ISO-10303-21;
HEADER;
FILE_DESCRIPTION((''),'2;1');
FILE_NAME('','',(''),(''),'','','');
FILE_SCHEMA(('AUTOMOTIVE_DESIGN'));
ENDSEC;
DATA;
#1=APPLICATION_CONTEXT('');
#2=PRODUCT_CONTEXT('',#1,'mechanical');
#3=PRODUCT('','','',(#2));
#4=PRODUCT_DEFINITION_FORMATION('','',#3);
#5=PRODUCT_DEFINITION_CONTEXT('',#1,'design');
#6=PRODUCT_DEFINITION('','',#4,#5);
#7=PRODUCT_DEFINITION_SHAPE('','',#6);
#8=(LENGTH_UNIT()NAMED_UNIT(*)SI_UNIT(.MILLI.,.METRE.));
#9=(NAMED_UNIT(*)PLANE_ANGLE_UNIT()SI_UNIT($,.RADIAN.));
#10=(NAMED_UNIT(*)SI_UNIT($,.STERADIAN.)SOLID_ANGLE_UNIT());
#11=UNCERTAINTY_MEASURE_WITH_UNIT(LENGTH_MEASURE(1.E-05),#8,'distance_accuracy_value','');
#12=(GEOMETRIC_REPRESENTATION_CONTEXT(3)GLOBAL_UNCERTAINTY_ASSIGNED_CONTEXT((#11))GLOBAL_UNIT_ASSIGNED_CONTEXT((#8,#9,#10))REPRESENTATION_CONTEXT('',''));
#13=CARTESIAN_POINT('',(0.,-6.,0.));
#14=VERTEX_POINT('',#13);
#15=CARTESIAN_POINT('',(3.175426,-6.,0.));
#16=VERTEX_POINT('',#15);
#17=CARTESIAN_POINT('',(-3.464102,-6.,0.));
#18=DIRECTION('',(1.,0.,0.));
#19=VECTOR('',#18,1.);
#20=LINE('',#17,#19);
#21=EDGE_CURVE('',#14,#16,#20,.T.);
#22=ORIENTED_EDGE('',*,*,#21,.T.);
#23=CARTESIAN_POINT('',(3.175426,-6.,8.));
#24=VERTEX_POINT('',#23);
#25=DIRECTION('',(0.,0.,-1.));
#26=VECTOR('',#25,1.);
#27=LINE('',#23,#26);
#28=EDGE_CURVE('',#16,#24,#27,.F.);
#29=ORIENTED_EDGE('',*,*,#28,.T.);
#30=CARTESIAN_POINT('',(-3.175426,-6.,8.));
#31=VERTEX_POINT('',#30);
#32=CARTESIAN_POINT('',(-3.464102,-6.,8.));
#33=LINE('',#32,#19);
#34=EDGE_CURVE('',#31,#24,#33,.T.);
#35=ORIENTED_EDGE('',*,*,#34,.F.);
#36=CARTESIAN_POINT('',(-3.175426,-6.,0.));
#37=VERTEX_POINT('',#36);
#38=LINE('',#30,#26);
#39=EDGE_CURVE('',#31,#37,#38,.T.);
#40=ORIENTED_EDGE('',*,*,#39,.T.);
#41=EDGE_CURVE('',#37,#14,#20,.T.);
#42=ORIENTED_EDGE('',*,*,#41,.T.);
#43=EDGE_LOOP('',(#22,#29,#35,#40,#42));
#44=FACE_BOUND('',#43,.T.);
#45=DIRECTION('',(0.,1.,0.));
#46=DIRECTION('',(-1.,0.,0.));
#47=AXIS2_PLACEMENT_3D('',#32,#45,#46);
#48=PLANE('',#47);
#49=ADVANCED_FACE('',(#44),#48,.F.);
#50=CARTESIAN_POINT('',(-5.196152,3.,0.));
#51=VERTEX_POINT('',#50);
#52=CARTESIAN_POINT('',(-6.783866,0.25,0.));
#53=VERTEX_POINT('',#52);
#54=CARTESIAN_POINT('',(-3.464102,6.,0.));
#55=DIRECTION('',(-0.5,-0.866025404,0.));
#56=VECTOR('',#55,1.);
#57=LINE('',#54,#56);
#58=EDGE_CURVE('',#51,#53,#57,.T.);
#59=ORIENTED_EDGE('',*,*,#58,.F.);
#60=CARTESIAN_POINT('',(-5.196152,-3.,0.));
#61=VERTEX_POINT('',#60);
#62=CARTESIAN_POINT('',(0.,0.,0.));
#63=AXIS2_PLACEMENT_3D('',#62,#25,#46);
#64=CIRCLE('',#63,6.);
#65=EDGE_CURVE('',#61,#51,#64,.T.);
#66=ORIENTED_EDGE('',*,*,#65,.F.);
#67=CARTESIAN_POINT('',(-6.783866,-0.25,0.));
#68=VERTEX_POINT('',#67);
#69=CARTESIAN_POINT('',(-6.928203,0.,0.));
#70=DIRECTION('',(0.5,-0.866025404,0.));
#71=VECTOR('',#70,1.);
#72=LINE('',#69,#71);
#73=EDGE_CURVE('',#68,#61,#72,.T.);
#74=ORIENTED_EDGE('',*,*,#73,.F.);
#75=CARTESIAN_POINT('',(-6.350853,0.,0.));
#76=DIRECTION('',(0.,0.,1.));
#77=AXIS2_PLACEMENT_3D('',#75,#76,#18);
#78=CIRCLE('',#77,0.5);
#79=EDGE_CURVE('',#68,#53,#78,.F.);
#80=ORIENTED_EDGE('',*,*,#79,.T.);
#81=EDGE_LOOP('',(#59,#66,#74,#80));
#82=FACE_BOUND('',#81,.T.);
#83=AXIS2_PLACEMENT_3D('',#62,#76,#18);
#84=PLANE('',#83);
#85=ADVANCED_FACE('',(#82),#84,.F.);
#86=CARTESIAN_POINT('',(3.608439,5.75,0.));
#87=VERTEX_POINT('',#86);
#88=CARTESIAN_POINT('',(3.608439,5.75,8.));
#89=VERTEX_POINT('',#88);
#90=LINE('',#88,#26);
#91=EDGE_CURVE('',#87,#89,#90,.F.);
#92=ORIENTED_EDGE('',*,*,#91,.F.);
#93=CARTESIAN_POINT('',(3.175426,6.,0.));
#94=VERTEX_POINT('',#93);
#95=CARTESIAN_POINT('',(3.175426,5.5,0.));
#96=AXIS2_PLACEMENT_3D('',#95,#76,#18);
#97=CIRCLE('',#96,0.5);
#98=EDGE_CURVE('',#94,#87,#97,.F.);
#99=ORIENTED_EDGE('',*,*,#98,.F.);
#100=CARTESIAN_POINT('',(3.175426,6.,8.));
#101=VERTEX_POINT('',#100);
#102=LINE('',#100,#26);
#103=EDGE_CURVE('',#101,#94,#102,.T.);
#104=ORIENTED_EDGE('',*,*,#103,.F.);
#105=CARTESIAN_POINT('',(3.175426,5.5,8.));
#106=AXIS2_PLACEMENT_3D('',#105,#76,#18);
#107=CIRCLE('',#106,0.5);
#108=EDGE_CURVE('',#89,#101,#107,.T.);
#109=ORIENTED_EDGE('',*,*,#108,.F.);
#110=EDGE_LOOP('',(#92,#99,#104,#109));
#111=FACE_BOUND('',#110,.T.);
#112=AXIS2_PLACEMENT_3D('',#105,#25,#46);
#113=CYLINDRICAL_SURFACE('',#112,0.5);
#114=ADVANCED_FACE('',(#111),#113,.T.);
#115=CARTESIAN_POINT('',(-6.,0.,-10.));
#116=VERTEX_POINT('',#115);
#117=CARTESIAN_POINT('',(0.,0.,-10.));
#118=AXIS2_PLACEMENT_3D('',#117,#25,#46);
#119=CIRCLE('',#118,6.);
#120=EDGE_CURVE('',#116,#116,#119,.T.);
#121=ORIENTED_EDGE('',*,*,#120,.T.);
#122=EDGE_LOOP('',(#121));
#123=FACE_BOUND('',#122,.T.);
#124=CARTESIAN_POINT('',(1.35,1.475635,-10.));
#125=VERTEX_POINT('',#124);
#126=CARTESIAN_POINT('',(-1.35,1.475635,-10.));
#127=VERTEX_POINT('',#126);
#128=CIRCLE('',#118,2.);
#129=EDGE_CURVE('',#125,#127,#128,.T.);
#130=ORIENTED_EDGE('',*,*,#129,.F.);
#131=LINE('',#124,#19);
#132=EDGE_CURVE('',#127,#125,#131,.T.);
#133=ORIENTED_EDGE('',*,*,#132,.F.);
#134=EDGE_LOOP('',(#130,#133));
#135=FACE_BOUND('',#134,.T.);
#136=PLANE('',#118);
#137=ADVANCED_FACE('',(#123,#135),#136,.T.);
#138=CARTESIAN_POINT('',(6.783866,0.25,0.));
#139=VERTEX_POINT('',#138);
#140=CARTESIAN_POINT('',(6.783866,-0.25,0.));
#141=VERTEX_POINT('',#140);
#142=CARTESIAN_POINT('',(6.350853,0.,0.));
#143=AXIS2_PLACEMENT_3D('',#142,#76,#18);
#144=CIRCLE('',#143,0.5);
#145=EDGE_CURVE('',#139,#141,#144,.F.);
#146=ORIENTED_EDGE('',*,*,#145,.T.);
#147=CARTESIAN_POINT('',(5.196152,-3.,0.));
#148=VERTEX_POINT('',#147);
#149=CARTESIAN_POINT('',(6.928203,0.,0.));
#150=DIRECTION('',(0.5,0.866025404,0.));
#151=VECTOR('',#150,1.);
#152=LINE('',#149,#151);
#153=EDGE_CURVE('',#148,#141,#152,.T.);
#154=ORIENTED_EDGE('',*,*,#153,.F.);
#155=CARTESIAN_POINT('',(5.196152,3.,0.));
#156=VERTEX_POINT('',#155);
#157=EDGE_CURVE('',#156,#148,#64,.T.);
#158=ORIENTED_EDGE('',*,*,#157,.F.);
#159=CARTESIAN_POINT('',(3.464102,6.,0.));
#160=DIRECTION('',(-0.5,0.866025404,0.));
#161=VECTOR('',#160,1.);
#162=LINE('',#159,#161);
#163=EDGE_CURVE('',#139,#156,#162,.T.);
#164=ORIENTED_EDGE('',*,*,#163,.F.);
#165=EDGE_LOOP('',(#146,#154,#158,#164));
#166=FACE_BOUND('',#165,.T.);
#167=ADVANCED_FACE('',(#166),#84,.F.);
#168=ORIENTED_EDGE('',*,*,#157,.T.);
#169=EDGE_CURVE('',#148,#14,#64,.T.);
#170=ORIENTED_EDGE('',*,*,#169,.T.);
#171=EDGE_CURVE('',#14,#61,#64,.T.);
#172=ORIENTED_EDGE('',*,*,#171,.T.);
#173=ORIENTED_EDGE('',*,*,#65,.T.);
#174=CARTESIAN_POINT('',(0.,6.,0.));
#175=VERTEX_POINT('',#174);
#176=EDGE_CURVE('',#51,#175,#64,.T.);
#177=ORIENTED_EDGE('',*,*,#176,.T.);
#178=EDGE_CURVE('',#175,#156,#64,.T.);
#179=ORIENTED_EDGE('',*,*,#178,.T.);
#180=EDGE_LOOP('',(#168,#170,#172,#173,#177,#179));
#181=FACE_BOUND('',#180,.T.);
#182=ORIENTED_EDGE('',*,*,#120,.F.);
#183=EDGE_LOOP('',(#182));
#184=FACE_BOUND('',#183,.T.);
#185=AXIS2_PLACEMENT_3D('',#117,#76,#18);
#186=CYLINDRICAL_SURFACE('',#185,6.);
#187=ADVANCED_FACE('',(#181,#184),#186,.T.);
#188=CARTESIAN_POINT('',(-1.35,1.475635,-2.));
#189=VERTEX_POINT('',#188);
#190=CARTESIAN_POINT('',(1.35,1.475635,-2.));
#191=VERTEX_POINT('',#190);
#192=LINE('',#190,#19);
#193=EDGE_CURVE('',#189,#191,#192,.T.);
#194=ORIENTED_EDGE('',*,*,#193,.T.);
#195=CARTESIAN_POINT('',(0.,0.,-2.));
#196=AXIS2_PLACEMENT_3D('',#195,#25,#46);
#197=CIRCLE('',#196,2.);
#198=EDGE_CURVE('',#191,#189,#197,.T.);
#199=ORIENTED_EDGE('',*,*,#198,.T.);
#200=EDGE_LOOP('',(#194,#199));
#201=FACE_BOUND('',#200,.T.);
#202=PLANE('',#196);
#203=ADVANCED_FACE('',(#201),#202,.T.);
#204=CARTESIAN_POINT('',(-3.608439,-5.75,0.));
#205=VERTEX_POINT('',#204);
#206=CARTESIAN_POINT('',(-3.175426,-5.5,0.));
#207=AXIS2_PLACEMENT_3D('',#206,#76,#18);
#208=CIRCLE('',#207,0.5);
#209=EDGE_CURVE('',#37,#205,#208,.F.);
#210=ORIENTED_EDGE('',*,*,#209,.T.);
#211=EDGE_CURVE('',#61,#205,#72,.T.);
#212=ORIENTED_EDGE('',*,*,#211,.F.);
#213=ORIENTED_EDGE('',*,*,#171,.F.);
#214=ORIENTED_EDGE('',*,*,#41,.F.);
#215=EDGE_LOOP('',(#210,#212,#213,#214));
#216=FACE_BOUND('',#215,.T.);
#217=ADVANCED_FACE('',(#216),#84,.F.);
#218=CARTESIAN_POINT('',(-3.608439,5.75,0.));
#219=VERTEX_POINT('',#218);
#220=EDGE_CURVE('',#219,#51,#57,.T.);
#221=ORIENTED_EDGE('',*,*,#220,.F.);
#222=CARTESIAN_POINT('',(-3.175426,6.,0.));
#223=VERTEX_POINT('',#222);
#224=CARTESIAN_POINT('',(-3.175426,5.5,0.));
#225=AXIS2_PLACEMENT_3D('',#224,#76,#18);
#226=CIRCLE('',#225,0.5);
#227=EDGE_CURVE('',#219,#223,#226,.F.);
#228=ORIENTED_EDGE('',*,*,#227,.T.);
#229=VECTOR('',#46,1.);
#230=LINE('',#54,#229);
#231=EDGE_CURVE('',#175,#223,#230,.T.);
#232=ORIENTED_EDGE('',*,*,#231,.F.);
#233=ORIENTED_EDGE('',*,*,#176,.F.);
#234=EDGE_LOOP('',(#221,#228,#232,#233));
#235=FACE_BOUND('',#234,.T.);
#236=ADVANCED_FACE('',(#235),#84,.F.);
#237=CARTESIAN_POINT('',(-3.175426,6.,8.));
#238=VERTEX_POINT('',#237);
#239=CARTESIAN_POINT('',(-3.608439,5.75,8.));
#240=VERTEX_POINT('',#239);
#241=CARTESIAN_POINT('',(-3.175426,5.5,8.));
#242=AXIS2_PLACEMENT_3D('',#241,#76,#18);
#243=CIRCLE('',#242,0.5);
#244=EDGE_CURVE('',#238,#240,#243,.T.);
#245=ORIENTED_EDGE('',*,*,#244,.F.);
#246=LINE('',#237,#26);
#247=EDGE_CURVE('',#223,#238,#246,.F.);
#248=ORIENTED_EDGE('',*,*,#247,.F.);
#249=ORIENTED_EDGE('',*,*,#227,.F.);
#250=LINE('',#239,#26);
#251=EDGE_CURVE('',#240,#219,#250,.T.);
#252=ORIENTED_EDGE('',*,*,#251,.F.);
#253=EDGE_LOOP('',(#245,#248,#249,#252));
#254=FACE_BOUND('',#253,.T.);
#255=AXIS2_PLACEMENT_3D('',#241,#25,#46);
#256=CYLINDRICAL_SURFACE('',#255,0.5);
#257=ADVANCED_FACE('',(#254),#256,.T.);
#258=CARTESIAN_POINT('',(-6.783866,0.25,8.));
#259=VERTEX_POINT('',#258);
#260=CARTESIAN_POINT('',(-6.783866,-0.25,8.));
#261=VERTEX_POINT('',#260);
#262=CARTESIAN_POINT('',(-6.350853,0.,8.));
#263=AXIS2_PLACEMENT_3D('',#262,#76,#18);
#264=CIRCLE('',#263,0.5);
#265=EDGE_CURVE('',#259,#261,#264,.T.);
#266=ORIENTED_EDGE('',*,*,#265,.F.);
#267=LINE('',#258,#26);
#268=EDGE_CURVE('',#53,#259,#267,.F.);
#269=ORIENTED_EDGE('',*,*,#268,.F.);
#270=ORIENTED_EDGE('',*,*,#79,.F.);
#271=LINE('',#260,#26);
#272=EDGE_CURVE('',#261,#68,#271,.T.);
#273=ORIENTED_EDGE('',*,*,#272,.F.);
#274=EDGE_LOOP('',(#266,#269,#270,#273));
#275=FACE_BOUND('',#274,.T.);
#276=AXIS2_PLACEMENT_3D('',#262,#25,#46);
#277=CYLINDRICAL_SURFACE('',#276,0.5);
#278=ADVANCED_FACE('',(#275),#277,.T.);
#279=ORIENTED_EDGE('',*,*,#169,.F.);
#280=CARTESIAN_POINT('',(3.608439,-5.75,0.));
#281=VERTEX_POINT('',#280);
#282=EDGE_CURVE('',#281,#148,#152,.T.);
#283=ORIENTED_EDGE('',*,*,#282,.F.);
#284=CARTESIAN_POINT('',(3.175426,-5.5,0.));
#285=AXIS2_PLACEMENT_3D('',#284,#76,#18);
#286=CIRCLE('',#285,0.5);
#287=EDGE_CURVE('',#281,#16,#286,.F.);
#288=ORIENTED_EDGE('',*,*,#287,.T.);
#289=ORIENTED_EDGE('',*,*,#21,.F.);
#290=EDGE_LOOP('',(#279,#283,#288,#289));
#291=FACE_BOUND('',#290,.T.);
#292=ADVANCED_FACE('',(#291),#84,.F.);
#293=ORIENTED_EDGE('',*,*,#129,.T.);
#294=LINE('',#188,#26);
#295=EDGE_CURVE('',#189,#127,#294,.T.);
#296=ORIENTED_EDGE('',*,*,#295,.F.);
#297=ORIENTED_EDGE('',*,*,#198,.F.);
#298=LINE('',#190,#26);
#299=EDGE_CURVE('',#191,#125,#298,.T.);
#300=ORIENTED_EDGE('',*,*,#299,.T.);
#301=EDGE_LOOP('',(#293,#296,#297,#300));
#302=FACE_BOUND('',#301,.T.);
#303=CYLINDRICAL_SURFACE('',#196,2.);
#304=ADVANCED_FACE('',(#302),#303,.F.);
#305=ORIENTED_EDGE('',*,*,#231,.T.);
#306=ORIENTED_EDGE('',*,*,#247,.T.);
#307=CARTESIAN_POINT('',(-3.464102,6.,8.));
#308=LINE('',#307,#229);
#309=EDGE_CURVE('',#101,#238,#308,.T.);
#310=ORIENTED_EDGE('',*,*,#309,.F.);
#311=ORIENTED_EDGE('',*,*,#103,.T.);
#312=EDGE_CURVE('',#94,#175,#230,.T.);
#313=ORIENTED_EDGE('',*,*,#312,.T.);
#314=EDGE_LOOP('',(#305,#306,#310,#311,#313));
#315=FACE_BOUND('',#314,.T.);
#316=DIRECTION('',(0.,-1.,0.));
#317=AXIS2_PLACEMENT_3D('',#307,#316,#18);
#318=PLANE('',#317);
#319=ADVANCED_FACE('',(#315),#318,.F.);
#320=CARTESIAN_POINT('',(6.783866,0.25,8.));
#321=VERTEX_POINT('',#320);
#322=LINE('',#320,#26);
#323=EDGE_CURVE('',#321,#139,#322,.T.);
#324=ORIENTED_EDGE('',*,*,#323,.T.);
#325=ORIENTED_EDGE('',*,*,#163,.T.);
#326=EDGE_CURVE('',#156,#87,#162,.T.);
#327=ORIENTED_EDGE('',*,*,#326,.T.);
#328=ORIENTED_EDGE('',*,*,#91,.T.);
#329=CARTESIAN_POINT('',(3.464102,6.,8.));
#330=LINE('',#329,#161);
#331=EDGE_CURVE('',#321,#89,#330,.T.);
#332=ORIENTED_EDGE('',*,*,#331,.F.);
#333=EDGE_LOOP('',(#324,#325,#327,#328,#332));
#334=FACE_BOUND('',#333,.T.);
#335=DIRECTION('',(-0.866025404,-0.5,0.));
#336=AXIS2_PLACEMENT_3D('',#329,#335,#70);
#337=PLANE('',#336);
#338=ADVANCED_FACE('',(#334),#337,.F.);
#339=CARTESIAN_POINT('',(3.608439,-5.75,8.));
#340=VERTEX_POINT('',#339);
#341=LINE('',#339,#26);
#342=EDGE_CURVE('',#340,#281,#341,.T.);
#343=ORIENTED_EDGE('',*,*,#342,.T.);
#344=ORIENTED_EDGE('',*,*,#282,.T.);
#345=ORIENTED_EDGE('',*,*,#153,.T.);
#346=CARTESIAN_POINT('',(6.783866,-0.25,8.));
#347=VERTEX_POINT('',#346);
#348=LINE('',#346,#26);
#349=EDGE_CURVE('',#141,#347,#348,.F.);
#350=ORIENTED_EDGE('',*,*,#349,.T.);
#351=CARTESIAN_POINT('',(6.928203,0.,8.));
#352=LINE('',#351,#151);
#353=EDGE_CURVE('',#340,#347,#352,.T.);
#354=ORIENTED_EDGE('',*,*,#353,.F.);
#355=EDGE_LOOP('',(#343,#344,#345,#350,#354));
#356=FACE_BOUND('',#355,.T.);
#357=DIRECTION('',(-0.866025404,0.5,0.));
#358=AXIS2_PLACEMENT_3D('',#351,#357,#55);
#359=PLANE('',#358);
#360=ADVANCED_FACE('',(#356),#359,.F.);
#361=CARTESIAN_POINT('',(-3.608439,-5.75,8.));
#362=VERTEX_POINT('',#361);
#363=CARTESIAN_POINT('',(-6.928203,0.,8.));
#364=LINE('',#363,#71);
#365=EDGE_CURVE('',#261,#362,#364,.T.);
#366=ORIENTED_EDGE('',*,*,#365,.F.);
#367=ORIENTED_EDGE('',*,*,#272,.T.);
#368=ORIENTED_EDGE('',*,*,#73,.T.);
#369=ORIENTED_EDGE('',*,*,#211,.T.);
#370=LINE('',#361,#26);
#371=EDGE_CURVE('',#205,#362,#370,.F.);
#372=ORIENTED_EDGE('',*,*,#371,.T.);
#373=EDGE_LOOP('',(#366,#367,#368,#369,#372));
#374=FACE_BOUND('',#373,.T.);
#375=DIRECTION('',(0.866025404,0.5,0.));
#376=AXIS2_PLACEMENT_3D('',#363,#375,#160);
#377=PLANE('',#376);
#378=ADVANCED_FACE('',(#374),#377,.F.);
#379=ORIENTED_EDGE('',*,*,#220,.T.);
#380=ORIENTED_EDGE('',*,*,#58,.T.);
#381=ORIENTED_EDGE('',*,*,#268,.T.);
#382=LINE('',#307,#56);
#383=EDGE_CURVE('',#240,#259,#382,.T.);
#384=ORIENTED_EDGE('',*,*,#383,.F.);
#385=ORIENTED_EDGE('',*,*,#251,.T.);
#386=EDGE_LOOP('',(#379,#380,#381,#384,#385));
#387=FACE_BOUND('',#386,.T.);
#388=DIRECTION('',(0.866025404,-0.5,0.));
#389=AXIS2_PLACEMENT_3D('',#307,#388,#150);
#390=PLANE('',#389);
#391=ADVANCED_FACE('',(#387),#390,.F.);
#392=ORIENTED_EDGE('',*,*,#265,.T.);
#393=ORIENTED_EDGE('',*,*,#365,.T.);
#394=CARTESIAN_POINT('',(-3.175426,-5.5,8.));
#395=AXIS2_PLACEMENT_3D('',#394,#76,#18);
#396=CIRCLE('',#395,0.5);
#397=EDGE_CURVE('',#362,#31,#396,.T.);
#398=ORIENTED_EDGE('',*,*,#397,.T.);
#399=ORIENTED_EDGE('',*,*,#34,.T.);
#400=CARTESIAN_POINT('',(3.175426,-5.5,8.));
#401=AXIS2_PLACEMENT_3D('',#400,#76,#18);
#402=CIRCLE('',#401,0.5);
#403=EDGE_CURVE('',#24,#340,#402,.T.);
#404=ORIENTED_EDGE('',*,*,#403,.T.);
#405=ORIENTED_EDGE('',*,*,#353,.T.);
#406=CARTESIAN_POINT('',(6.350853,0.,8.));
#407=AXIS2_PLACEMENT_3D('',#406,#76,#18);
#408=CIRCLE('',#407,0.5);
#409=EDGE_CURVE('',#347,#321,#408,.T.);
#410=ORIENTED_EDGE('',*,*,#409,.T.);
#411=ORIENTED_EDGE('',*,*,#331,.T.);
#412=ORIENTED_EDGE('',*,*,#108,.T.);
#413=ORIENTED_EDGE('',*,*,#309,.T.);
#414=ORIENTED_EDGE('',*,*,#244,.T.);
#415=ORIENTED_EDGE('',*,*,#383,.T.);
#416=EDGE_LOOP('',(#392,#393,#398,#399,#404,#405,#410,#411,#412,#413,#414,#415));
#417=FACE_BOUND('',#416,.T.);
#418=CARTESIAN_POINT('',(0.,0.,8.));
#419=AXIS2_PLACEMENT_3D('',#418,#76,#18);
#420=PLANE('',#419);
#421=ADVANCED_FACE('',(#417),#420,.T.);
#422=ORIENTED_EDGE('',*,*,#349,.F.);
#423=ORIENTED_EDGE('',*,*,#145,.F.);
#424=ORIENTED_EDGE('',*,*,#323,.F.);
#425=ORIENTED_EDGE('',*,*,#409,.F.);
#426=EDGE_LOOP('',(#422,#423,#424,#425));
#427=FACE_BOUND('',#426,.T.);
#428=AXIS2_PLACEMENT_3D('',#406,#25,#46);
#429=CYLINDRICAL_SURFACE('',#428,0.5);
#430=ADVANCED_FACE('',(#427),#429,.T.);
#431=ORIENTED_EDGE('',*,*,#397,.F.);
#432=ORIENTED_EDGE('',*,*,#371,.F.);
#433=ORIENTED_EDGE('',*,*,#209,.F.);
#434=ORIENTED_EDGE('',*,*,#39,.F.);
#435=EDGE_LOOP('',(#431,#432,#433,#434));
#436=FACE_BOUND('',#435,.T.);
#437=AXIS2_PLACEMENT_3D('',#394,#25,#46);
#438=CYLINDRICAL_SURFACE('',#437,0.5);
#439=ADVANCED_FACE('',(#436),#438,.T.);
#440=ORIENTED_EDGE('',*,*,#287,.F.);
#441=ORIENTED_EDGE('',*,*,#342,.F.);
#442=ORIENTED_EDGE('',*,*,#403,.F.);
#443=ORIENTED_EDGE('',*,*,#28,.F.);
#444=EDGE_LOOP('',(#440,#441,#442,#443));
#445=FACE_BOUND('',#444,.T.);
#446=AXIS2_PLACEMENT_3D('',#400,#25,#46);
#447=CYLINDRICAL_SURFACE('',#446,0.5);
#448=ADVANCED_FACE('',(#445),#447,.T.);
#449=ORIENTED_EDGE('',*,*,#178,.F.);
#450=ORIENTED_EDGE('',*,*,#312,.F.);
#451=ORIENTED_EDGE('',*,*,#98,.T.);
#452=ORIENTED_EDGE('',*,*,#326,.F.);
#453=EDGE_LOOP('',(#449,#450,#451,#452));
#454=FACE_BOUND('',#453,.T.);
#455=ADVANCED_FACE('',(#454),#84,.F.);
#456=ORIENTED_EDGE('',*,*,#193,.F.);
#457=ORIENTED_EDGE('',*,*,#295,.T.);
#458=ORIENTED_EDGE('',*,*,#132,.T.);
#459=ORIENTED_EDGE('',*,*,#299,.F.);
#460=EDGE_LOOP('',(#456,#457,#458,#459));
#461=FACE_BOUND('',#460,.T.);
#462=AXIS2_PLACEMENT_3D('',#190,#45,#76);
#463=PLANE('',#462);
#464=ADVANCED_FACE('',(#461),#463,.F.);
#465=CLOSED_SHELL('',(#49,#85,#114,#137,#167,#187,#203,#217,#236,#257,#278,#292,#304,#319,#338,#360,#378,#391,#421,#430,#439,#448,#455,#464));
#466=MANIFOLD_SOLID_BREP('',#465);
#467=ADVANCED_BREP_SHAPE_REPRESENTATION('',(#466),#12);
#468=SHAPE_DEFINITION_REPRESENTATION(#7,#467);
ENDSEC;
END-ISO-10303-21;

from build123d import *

# Parameters (mm, degrees)
BOSS_EXTRUDE1_DEPTH = 8
SKETCH2_R           = 6
BOSS_EXTRUDE2_DEPTH = 10
CUT_EXTRUDE1_DEPTH  = 8
FILLET1_R           = 0.5


with BuildPart() as part:
    # Sketch1 → Boss-Extrude1 (new body)
    with BuildSketch(Plane.XY):
        Polygon((-3.464101615, -6), (3.464101615, -6), (6.92820323, 0), (3.464101615, 6), (-3.464101615, 6), (-6.92820323, 0), align=None)
    extrude(amount=BOSS_EXTRUDE1_DEPTH)

    # Sketch2 → Boss-Extrude2 (add)
    with BuildSketch(Plane(origin=(0, 0, 0), x_dir=(-1, 0, 0), z_dir=(0, 0, -1))):
        with Locations(Location((0, 0, 0), (0, 0, 150))):
            Circle(SKETCH2_R)
    extrude(amount=BOSS_EXTRUDE2_DEPTH)

    # Sketch3 → Cut-Extrude1 (cut)
    with BuildSketch(Plane(origin=(0, 0, -10), x_dir=(-1, 0, 0), z_dir=(0, 0, -1))):
        with BuildLine():
            Line((-1.35, 1.475635456), (1.35, 1.475635456))
            ThreePointArc((1.35, 1.475635456), (0, -2), (-1.35, 1.475635456))
        make_face()
    extrude(amount=-CUT_EXTRUDE1_DEPTH, mode=Mode.SUBTRACT)

    # Fillet1
    fillet1_edges = [part.edges().sort_by_distance(p)[0] for p in [
        (3.464101615, -6, 4),
        (-3.464101615, -6, 4),
        (-6.92820323, 0, 4),
        (-3.464101615, 6, 4),
        (3.464101615, 6, 4),
        (6.92820323, 0, 4),
    ]]
    fillet(fillet1_edges, radius=FILLET1_R)


solid = part.part
